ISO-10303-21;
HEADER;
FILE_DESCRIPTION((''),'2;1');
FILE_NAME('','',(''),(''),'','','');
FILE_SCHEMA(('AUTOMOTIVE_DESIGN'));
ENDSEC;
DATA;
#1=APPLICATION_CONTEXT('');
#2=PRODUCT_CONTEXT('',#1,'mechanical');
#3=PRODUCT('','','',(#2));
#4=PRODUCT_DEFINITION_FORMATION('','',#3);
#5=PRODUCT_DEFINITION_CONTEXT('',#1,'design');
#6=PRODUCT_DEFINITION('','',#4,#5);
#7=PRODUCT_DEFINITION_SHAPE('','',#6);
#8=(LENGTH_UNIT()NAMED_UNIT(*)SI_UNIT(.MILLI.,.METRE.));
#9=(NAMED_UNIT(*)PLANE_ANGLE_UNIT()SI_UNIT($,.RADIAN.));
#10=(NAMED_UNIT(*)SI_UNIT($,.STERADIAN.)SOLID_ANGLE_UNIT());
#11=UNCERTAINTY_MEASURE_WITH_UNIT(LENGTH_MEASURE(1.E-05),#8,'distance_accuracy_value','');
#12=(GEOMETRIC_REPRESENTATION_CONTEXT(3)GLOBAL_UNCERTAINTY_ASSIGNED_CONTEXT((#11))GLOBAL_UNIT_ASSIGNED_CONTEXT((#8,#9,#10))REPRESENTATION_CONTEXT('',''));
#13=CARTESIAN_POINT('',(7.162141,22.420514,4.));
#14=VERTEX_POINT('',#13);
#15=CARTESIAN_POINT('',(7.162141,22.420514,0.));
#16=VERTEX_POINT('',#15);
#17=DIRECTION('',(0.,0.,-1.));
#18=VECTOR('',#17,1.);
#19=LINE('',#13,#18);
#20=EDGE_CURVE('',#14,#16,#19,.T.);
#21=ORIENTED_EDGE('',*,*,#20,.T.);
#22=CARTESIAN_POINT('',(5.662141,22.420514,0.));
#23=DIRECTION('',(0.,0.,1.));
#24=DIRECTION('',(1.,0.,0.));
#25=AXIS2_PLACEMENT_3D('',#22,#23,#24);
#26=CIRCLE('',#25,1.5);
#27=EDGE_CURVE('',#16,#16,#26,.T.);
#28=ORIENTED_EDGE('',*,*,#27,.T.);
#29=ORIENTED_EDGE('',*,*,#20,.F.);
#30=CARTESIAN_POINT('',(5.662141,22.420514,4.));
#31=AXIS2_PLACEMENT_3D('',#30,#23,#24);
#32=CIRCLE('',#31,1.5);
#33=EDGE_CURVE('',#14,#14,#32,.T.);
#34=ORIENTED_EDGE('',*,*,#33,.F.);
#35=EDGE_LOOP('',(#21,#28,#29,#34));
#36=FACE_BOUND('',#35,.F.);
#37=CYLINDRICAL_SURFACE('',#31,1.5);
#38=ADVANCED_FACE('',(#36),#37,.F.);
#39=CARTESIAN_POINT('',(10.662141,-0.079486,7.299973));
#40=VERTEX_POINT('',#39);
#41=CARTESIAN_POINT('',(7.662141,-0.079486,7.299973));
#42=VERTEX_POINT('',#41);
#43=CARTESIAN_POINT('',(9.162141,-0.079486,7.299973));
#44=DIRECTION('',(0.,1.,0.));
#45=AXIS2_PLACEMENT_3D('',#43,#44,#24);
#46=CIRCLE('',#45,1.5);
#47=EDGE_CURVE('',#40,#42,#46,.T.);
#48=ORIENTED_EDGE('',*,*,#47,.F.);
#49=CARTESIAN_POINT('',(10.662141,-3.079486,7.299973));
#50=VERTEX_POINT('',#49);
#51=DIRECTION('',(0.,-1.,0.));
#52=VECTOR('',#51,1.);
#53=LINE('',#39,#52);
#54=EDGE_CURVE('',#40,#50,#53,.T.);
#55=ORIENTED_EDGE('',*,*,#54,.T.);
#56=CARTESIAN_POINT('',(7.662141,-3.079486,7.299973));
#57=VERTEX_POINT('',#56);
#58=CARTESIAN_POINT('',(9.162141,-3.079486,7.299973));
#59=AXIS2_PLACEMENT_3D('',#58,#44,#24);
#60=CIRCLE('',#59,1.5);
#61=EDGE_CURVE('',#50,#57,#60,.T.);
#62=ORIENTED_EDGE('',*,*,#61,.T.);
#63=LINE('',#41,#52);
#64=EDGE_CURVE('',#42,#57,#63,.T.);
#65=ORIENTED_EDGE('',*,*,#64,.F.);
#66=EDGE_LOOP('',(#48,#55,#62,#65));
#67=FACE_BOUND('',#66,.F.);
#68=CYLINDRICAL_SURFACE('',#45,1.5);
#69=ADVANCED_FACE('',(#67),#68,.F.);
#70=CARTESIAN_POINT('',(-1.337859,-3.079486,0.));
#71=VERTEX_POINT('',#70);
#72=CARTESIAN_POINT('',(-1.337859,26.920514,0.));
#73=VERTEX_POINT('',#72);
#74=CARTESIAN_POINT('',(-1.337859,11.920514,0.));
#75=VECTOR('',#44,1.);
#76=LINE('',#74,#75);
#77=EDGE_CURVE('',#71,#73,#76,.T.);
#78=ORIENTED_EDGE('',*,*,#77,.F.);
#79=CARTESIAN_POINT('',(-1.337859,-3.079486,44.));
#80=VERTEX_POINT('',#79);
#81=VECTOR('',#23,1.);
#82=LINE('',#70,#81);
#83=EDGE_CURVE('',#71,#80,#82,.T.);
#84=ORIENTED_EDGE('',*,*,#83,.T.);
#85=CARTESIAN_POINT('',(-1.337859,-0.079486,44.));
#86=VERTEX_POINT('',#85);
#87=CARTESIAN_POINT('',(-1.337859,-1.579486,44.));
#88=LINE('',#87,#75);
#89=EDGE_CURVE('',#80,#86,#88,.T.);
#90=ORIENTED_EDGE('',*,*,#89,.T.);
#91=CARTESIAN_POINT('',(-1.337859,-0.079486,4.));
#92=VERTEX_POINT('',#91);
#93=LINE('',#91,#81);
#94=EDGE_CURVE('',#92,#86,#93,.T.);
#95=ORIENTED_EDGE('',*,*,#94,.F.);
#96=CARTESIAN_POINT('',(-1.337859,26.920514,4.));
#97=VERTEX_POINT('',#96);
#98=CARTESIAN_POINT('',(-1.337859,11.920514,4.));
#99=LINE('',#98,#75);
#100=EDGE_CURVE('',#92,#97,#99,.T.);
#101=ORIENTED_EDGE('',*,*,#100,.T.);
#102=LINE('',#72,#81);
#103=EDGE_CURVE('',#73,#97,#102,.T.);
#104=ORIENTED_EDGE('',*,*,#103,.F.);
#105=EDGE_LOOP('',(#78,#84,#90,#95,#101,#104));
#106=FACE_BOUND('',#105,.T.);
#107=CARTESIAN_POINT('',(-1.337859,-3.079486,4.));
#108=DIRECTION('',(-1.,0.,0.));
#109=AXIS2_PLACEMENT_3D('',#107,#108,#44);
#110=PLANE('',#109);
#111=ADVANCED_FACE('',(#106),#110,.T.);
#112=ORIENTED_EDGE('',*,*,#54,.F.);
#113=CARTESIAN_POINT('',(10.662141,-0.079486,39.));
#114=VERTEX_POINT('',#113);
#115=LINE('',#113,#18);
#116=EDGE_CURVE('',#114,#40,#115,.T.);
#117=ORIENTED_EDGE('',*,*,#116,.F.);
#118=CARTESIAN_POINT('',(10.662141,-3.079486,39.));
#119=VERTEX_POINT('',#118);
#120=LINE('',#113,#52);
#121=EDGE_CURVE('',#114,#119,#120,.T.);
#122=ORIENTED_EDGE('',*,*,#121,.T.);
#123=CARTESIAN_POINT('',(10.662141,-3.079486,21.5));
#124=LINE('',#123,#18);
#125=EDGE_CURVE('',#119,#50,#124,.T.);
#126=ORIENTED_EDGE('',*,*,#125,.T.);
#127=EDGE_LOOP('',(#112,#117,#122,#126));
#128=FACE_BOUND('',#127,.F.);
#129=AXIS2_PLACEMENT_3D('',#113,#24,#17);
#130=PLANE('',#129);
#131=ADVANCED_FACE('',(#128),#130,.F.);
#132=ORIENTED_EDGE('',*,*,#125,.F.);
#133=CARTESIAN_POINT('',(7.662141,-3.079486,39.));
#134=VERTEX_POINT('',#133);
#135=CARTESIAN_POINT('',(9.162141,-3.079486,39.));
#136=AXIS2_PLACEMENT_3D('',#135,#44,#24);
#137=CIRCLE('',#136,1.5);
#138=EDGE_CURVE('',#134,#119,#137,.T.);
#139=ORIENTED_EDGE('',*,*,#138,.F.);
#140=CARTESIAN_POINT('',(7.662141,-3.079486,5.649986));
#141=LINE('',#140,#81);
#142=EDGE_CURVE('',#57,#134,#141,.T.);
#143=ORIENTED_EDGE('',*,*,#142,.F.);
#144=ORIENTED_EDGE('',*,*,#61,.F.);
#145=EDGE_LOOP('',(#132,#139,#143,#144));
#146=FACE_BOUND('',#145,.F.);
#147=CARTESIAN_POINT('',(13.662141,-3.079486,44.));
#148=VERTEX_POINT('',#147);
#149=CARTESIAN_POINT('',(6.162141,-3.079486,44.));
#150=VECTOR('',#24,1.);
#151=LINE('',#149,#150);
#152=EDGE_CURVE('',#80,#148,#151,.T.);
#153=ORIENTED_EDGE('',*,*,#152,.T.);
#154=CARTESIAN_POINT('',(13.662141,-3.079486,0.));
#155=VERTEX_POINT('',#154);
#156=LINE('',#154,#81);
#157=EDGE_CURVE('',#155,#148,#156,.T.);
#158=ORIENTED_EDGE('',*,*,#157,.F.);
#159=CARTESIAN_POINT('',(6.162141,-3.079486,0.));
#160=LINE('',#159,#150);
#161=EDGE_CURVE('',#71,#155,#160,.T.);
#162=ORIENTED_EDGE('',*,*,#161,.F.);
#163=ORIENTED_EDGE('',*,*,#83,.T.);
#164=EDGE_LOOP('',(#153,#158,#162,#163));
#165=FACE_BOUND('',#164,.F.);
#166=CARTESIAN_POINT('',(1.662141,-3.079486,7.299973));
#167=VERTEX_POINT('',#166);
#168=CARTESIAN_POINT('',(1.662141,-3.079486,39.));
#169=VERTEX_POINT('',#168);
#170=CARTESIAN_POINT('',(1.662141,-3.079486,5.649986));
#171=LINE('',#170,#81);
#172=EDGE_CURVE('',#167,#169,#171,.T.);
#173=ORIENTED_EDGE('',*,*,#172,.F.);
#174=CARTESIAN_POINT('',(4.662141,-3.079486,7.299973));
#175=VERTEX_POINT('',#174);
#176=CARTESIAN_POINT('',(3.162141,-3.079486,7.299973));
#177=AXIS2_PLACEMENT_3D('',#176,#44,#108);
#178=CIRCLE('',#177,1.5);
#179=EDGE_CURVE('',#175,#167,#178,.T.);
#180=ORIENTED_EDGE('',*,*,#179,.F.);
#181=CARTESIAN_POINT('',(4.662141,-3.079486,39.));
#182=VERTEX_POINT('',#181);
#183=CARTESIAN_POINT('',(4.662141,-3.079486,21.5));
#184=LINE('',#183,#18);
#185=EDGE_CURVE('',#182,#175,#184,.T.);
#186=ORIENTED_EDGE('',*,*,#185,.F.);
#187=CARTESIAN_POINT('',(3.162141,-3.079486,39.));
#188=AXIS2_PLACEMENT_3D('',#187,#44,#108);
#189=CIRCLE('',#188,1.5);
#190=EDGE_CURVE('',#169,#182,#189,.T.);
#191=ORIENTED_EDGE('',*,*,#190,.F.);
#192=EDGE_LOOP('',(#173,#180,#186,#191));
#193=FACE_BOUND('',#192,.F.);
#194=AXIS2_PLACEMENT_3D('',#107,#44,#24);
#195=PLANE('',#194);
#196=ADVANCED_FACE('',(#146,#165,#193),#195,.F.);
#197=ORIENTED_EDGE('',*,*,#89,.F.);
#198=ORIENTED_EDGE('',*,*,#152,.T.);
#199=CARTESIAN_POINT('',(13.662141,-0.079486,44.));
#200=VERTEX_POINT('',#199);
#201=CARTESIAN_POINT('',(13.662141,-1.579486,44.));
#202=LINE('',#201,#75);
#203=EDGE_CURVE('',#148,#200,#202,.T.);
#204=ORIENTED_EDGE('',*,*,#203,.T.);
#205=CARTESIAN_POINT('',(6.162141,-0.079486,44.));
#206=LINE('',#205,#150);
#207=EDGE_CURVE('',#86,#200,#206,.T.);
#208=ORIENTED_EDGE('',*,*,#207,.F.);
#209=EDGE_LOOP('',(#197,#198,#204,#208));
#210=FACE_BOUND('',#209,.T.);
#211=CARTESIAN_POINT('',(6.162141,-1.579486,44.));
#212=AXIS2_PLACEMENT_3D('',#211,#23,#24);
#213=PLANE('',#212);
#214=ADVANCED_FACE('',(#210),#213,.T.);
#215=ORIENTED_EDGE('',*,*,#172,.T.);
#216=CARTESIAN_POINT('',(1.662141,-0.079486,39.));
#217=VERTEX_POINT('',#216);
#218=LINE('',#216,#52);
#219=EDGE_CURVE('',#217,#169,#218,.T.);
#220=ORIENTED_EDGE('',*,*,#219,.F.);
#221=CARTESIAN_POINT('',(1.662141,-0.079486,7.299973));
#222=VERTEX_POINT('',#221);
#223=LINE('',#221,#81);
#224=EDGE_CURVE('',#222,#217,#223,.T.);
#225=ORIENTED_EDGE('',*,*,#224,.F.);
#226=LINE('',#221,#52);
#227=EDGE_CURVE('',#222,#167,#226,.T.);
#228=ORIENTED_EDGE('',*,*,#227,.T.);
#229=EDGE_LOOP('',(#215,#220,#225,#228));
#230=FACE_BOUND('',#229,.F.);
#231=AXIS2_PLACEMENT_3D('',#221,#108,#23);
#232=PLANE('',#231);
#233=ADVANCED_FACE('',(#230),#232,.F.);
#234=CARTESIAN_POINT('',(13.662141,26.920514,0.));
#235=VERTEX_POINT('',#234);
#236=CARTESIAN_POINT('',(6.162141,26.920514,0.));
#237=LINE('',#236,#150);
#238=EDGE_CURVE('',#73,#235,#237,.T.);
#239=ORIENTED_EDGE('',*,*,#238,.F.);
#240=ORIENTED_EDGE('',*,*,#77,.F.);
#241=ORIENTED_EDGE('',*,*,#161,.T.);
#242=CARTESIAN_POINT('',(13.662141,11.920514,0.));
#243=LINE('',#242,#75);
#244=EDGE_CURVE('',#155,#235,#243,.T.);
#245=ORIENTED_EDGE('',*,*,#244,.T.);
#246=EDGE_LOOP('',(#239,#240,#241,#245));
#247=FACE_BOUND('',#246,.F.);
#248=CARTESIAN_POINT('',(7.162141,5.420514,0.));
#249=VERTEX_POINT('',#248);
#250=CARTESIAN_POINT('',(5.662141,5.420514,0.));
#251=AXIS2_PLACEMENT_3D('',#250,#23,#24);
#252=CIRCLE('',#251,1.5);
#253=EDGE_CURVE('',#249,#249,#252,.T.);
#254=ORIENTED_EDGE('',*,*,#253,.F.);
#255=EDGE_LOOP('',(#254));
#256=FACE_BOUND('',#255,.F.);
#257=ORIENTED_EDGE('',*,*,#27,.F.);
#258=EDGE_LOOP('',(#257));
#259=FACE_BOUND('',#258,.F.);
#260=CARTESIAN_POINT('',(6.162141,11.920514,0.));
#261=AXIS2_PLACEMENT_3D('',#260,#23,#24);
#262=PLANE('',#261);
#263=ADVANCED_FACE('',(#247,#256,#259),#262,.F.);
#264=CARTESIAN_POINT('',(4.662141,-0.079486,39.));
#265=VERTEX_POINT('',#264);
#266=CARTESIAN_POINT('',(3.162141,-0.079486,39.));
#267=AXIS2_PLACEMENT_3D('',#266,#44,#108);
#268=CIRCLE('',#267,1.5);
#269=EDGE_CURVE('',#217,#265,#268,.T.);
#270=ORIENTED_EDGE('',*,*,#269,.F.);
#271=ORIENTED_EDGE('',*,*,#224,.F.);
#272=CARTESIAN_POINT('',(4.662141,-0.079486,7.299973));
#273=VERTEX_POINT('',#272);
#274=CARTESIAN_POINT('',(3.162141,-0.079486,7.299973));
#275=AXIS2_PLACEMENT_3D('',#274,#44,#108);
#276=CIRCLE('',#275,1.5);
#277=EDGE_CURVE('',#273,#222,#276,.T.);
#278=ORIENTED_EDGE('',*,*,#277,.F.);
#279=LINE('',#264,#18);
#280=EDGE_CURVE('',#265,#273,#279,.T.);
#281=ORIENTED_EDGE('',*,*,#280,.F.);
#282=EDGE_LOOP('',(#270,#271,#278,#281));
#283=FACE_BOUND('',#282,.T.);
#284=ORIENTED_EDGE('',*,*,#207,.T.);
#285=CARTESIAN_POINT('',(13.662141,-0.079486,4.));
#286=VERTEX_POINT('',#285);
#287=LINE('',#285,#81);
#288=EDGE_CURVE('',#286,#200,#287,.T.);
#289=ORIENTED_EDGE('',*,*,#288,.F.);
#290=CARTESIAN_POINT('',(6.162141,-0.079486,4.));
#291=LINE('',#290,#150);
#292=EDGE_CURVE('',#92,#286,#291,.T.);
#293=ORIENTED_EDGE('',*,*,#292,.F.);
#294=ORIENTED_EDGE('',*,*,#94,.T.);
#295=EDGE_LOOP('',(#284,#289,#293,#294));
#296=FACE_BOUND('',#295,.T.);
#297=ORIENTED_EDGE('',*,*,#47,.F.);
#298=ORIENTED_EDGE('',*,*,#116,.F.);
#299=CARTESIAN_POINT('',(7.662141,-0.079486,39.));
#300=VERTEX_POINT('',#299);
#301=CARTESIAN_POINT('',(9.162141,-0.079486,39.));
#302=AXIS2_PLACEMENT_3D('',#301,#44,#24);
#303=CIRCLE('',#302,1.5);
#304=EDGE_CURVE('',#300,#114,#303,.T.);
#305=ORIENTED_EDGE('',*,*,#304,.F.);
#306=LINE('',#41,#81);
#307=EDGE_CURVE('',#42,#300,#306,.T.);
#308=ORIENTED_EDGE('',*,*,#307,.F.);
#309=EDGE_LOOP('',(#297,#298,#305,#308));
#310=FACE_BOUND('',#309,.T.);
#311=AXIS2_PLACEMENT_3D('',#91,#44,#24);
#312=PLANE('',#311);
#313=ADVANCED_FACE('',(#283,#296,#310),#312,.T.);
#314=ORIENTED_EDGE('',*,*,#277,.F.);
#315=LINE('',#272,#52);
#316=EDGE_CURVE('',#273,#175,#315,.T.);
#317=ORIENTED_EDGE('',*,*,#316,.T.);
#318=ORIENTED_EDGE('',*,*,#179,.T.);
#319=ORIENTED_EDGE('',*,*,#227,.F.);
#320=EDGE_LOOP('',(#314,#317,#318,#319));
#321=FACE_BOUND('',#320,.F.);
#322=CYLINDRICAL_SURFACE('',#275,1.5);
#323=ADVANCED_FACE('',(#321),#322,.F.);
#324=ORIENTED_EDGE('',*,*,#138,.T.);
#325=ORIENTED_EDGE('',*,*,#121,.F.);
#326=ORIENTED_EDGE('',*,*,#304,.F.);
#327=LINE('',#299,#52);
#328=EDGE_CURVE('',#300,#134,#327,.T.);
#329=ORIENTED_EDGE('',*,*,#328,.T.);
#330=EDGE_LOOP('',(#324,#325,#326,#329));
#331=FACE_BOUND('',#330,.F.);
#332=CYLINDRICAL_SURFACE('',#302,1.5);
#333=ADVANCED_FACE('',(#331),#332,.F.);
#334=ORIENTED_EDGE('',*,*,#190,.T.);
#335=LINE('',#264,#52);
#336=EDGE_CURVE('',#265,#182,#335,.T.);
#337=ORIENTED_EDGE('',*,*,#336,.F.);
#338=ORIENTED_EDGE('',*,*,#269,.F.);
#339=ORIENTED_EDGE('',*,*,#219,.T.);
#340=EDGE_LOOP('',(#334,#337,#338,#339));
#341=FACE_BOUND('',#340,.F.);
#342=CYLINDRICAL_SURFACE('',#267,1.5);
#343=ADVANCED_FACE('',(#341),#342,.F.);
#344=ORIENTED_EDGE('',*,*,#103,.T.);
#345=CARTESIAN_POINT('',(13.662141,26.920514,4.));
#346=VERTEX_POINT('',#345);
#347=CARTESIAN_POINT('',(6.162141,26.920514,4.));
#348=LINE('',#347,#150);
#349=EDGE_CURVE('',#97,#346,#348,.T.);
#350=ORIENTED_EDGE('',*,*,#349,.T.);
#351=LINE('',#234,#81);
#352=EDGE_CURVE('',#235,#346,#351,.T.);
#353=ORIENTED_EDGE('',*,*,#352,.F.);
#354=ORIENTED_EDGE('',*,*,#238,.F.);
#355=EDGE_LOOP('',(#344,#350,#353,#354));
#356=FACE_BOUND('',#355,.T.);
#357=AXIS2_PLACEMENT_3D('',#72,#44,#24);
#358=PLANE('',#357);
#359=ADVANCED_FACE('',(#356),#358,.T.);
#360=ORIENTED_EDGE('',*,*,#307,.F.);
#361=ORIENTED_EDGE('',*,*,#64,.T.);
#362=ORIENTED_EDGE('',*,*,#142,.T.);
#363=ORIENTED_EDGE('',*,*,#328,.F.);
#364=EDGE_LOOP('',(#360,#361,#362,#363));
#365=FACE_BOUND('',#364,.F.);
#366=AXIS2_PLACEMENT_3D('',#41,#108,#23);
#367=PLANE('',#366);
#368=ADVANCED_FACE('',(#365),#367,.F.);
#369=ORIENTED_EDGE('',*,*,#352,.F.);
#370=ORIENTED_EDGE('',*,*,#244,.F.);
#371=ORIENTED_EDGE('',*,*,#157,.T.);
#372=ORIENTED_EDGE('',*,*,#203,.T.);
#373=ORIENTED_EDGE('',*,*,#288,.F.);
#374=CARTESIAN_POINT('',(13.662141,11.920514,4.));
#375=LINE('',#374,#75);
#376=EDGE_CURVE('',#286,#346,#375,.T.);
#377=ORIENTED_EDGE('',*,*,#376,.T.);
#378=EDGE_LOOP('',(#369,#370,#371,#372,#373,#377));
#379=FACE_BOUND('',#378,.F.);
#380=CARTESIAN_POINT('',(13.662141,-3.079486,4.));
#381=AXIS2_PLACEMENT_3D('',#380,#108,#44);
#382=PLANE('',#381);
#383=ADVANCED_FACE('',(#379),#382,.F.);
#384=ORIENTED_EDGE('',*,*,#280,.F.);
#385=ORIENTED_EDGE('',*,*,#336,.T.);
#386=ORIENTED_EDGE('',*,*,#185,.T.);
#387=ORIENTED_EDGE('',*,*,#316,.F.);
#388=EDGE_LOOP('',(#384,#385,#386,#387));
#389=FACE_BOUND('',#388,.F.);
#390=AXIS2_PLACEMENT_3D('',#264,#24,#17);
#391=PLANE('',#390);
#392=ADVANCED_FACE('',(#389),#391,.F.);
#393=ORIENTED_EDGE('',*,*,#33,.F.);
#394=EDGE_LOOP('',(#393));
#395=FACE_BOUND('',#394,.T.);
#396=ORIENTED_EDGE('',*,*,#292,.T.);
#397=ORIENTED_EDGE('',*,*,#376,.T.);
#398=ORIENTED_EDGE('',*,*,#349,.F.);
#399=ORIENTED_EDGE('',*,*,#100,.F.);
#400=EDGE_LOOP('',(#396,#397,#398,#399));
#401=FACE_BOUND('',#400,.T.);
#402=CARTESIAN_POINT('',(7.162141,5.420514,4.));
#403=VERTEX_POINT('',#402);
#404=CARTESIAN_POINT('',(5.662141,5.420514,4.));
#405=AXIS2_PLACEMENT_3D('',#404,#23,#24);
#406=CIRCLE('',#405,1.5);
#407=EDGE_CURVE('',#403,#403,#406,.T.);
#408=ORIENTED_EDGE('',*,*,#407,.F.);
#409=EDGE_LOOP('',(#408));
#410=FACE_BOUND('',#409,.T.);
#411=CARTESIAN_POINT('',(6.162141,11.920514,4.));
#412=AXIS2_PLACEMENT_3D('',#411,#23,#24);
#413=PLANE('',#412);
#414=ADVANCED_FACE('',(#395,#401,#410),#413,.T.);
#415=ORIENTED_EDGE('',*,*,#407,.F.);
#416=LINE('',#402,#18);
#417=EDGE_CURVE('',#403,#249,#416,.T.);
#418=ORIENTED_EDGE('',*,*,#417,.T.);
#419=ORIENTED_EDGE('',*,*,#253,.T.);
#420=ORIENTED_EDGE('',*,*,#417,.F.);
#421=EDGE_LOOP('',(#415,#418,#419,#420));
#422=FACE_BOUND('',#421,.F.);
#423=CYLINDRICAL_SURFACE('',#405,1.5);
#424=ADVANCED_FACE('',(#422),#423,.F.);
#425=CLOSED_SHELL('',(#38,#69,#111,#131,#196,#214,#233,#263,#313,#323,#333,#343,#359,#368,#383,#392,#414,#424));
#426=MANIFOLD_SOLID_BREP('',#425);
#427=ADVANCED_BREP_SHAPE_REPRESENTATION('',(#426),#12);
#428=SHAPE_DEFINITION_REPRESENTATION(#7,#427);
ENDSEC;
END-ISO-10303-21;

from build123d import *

# Parameters (mm, degrees)
F0_W     = 15
F0_H     = 30
F1_DEPTH = 4
F2_R     = 1.5
F3_DEPTH = 4
F4_W     = 15
F4_H     = 3
F5_DEPTH = 40
F7_DEPTH = 5.334


with BuildPart() as f1:
    # F0 (on Top) → F1 (new body)
    with BuildSketch(Plane.XY):
        with Locations((6.162141, 11.920514)):
            Rectangle(F0_W, F0_H)
    extrude(amount=F1_DEPTH)

    # F2 (on face) → F3 (cut)
    with BuildSketch(Plane.XY.offset(4)):
        with Locations((5.662141, 5.420514)):
            Circle(F2_R)
        with Locations((5.662141, 22.420514)):
            Circle(F2_R)
    extrude(amount=-F3_DEPTH, mode=Mode.SUBTRACT)

    # F4 (on face) → F5 (join)
    with BuildSketch(Plane.XY.offset(4)):
        with Locations((6.162141, -1.579486)):
            Rectangle(F4_W, F4_H)
    extrude(amount=F5_DEPTH)

    # F6 (on face) → F7 (cut)
    with BuildSketch(Plane(origin=(0, -0.079486, 0), x_dir=(-1, 0, 0), z_dir=(0, 1, 0))):
        with BuildLine():
            Line((-10.662141, 39), (-7.662141, 39))
            ThreePointArc((-7.662141, 39), (-9.162141, 40.5), (-10.662141, 39))
        make_face()
        with BuildLine():
            ThreePointArc((-10.662141, 39), (-9.162141, 37.5), (-7.662141, 39))
            Line((-7.662141, 39), (-10.662141, 39))
        make_face()
        with BuildLine():
            Line((-7.662141, 7.299973), (-7.662141, 39))
            ThreePointArc((-7.662141, 39), (-9.162141, 37.5), (-10.662141, 39))
            Line((-10.662141, 39), (-10.662141, 7.299973))
            ThreePointArc((-10.662141, 7.299973), (-9.162141, 8.799973), (-7.662141, 7.299973))
        make_face()
        with BuildLine():
            Line((-10.662141, 7.299973), (-7.662141, 7.299973))
            ThreePointArc((-7.662141, 7.299973), (-9.162141, 8.799973), (-10.662141, 7.299973))
        make_face()
        with BuildLine():
            ThreePointArc((-4.662141, 7.299973), (-3.162141, 5.799973), (-1.662141, 7.299973))
            Line((-1.662141, 7.299973), (-4.662141, 7.299973))
        make_face()
        with BuildLine():
            Line((-4.662141, 7.299973), (-1.662141, 7.299973))
            ThreePointArc((-1.662141, 7.299973), (-3.162141, 8.799973), (-4.662141, 7.299973))
        make_face()
        with BuildLine():
            ThreePointArc((-10.662141, 7.299973), (-9.162141, 5.799973), (-7.662141, 7.299973))
            Line((-7.662141, 7.299973), (-10.662141, 7.299973))
        make_face()
        with BuildLine():
            Line((-1.662141, 7.299973), (-1.662141, 39))
            ThreePointArc((-1.662141, 39), (-3.162141, 37.5), (-4.662141, 39))
            Line((-4.662141, 39), (-4.662141, 7.299973))
            ThreePointArc((-4.662141, 7.299973), (-3.162141, 8.799973), (-1.662141, 7.299973))
        make_face()
        with BuildLine():
            ThreePointArc((-4.662141, 39), (-3.162141, 37.5), (-1.662141, 39))
            Line((-1.662141, 39), (-4.662141, 39))
        make_face()
        with BuildLine():
            Line((-4.662141, 39), (-1.662141, 39))
            ThreePointArc((-1.662141, 39), (-3.162141, 40.5), (-4.662141, 39))
        make_face()
    extrude(amount=-F7_DEPTH, mode=Mode.SUBTRACT)


solid = f1.part
